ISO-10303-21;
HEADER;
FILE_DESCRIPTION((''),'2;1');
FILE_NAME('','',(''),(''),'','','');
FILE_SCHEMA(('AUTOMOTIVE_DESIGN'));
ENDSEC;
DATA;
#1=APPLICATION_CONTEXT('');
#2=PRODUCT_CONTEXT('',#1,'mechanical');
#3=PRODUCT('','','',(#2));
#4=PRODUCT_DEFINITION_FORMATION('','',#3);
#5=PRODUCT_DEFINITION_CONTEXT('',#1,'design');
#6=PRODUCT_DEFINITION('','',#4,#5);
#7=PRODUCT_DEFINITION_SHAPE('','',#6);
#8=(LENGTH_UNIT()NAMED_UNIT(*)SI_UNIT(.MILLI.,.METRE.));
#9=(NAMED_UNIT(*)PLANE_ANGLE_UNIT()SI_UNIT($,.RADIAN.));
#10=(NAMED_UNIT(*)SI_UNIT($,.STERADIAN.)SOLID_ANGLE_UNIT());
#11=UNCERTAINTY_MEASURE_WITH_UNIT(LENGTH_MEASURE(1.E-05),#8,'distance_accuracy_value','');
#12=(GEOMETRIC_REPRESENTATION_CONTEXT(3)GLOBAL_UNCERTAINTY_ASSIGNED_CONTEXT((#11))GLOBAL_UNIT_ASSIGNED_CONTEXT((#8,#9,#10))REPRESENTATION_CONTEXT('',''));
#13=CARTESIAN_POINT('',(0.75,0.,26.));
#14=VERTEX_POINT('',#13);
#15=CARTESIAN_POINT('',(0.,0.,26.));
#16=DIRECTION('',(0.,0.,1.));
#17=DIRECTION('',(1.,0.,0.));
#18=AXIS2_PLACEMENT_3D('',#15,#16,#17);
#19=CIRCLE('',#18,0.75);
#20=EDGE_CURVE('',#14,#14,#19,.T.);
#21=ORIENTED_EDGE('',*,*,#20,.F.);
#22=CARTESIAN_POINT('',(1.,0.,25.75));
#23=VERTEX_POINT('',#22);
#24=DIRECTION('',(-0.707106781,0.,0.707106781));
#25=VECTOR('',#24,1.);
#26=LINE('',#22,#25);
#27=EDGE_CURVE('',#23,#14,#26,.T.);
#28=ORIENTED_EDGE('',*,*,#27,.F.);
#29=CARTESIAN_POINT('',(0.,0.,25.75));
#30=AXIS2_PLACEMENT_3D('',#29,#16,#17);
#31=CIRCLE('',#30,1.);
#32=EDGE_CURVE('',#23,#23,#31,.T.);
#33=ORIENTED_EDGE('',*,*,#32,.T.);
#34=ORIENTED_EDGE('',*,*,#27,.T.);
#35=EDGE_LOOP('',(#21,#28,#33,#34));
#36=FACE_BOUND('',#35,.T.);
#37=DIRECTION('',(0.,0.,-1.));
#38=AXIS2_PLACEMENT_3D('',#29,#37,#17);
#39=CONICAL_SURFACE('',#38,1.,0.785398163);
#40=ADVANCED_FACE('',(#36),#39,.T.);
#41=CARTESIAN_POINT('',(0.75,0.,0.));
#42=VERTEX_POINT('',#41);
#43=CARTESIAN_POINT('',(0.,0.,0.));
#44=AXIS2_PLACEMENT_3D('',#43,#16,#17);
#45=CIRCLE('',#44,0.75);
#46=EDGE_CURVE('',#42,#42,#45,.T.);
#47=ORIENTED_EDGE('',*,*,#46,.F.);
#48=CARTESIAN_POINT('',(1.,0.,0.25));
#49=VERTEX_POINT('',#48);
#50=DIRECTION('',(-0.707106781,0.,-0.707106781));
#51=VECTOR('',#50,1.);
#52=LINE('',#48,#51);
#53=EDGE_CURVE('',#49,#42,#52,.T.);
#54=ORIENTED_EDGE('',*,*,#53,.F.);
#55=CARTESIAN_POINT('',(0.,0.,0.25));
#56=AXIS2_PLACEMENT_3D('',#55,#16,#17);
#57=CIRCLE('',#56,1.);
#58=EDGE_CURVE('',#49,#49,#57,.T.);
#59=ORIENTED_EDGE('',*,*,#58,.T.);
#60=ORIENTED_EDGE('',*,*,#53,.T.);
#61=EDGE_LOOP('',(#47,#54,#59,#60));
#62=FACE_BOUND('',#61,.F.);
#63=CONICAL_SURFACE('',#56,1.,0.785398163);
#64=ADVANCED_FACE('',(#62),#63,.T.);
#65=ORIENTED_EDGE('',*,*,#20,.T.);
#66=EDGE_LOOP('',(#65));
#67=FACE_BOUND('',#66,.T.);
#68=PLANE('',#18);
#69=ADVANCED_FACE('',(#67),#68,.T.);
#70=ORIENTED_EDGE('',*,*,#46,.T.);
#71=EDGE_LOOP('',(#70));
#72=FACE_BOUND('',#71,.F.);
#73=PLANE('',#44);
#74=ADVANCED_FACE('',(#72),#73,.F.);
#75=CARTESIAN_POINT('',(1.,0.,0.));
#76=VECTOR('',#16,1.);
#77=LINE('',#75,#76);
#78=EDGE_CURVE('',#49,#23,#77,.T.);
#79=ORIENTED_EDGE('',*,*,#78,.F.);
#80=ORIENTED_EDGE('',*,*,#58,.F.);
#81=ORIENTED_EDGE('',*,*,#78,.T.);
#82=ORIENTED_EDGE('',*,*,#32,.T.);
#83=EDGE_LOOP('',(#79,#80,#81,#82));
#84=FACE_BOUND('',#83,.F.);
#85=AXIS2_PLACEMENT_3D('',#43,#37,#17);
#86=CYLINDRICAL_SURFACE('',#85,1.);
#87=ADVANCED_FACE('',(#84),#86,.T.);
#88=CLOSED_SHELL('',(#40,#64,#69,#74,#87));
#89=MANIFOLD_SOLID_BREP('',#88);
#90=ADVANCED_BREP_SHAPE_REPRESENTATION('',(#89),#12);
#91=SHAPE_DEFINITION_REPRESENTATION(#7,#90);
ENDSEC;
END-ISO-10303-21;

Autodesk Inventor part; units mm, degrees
ref_plane "YZ Plane" through (0, 0, 0) normal (1, 0, 0) x (0, 1, 0)
ref_plane "XZ Plane" through (0, 0, 0) normal (0, 1, 0) x (-1, 0, 0)
ref_plane "XY Plane" through (0, 0, 0) normal (0, 0, 1) x (1, 0, 0)
sketch "Sketch1" plane through (0, 0, 0) normal (0, 0, 1) x (1, 0, 0)
  circle A0 centre (0, 0) radius 1
  dimension "d0" = 2
extrude "Extrusion1" add sketch "Sketch1" along normal blind 26
chamfer "Chamfer1" distance 0.25 angle 45 2 edges at (-1, 0, 26) (-1, 0, 0)
properties part number "09"
